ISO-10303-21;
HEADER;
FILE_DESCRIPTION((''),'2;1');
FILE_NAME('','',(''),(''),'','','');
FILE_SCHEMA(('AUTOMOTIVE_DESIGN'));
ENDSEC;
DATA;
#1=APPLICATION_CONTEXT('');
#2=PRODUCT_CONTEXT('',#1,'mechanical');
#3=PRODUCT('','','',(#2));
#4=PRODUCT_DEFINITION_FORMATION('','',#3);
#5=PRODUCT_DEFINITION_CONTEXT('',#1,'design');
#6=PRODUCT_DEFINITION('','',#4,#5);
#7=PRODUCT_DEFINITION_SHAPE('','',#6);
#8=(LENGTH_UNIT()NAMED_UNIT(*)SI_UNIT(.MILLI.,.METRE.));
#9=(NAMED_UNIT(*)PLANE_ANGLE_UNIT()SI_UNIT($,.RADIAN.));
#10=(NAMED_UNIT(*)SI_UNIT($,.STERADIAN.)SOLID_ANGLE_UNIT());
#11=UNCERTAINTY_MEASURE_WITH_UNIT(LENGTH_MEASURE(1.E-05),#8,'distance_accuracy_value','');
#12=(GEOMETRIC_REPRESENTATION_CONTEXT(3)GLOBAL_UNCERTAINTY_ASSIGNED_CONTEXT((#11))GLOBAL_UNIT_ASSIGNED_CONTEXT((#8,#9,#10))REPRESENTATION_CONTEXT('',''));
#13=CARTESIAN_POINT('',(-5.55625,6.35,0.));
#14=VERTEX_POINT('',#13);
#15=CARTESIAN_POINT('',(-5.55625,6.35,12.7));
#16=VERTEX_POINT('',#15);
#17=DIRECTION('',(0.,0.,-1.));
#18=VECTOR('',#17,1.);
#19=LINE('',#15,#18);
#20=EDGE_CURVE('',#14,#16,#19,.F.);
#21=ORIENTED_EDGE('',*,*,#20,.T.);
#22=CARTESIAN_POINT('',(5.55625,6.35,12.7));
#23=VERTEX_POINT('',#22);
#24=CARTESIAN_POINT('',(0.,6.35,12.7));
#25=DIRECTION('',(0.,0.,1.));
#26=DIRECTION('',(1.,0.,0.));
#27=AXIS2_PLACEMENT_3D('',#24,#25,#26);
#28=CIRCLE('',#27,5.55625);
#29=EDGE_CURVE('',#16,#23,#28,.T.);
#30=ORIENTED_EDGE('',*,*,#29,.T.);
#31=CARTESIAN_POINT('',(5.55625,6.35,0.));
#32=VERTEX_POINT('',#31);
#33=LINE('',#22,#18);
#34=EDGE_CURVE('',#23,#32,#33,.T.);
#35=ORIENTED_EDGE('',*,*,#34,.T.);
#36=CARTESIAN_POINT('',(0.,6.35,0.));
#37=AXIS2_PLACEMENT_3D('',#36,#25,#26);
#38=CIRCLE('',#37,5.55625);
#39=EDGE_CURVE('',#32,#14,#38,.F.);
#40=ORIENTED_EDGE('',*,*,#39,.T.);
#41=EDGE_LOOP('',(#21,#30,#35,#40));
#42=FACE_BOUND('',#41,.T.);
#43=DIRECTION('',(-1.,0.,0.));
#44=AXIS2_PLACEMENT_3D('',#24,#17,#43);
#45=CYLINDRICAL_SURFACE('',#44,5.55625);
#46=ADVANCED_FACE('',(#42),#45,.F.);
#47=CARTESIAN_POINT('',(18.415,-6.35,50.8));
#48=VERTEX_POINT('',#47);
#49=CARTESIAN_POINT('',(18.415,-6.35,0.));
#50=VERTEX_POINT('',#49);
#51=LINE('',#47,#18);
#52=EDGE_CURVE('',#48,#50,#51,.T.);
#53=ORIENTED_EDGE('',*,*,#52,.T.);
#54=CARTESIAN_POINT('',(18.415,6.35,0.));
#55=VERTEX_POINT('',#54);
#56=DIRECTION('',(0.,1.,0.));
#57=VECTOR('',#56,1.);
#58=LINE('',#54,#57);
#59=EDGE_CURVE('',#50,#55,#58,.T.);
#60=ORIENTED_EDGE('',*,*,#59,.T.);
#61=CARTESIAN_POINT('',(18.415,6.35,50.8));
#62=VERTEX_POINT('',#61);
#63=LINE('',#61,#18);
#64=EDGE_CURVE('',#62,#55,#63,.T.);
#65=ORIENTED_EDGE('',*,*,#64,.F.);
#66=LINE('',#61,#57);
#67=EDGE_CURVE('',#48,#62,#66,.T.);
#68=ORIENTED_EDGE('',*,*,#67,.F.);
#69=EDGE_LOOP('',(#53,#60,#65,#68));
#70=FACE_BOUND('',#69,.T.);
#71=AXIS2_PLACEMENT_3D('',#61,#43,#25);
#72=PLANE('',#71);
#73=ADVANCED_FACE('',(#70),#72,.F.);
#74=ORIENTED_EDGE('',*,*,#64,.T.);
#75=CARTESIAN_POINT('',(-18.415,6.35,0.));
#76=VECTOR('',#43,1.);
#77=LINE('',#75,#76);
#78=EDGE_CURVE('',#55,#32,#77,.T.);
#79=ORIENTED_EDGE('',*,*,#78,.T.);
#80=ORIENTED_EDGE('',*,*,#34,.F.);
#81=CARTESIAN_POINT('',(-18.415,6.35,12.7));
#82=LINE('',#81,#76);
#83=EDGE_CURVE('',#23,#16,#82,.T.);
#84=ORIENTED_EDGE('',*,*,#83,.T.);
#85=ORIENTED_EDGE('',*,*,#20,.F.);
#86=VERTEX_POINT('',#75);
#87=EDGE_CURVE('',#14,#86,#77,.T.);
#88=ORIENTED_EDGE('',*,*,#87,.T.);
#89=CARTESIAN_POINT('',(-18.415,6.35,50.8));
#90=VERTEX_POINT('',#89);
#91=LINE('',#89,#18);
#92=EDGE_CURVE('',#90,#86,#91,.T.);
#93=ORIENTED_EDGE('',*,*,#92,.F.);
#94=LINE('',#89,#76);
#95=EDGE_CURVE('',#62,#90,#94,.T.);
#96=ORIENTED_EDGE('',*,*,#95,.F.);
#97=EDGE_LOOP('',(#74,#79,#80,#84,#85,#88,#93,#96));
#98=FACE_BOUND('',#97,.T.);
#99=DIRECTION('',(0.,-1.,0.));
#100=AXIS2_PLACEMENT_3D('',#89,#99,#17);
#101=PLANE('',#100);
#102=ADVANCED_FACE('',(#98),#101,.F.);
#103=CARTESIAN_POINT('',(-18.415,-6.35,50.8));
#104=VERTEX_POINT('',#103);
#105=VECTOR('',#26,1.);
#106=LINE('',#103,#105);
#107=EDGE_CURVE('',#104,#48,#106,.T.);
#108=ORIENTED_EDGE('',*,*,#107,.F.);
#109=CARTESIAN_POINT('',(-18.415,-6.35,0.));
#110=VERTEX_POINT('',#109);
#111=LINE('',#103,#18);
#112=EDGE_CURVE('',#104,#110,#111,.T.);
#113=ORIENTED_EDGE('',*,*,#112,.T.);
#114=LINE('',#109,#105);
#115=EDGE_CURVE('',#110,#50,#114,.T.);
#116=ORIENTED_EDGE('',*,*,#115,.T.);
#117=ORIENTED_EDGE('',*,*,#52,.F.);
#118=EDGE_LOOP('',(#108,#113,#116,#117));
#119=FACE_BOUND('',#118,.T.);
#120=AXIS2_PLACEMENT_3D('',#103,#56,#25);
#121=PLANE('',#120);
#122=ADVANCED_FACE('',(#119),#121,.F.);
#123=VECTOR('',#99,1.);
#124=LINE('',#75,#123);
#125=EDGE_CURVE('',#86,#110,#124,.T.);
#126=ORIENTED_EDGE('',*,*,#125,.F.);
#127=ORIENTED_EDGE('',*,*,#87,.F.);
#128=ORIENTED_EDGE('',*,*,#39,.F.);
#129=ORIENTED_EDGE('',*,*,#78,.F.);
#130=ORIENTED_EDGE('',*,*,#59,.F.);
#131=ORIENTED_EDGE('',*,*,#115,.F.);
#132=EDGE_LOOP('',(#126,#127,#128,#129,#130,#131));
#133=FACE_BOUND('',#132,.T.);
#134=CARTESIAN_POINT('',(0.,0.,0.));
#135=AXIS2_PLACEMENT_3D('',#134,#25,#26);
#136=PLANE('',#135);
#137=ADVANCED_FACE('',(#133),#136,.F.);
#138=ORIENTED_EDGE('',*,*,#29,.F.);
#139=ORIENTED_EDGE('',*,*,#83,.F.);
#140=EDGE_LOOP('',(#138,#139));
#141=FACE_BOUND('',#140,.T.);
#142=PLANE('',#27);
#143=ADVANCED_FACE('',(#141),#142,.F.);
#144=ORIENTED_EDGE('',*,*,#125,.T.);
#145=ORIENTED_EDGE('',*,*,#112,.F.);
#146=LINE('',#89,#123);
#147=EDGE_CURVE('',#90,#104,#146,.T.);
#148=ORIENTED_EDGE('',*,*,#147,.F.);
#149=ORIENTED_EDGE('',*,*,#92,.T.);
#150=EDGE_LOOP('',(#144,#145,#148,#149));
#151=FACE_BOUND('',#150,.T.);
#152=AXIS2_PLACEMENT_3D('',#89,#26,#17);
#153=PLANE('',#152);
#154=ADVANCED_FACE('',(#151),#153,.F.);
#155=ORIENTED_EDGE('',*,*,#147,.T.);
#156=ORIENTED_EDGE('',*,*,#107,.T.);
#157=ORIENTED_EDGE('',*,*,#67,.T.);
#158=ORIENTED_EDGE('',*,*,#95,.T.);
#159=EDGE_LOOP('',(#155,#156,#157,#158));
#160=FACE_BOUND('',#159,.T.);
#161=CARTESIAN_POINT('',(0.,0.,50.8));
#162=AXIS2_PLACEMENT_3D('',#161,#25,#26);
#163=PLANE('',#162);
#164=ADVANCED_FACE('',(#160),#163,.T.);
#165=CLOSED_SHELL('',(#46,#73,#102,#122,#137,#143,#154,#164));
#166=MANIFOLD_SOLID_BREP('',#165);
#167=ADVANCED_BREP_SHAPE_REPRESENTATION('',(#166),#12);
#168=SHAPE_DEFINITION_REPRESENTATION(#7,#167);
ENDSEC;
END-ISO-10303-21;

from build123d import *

# Parameters (mm, degrees)
SKETCH1_W           = 36.83
SKETCH1_H           = 12.7
BOSS_EXTRUDE1_DEPTH = 50.8
SKETCH3_R           = 5.55625
CUT_EXTRUDE1_DEPTH  = 12.7


with BuildPart() as part:
    # Sketch1 → Boss-Extrude1 (new body)
    with BuildSketch(Plane.XY):
        Rectangle(SKETCH1_W, SKETCH1_H)
    extrude(amount=BOSS_EXTRUDE1_DEPTH)

    # Sketch3 → Cut-Extrude1 (cut)
    with BuildSketch(Plane.XY):
        with Locations((0, 6.35)):
            Circle(SKETCH3_R)
    extrude(amount=CUT_EXTRUDE1_DEPTH, mode=Mode.SUBTRACT)


solid = part.part
